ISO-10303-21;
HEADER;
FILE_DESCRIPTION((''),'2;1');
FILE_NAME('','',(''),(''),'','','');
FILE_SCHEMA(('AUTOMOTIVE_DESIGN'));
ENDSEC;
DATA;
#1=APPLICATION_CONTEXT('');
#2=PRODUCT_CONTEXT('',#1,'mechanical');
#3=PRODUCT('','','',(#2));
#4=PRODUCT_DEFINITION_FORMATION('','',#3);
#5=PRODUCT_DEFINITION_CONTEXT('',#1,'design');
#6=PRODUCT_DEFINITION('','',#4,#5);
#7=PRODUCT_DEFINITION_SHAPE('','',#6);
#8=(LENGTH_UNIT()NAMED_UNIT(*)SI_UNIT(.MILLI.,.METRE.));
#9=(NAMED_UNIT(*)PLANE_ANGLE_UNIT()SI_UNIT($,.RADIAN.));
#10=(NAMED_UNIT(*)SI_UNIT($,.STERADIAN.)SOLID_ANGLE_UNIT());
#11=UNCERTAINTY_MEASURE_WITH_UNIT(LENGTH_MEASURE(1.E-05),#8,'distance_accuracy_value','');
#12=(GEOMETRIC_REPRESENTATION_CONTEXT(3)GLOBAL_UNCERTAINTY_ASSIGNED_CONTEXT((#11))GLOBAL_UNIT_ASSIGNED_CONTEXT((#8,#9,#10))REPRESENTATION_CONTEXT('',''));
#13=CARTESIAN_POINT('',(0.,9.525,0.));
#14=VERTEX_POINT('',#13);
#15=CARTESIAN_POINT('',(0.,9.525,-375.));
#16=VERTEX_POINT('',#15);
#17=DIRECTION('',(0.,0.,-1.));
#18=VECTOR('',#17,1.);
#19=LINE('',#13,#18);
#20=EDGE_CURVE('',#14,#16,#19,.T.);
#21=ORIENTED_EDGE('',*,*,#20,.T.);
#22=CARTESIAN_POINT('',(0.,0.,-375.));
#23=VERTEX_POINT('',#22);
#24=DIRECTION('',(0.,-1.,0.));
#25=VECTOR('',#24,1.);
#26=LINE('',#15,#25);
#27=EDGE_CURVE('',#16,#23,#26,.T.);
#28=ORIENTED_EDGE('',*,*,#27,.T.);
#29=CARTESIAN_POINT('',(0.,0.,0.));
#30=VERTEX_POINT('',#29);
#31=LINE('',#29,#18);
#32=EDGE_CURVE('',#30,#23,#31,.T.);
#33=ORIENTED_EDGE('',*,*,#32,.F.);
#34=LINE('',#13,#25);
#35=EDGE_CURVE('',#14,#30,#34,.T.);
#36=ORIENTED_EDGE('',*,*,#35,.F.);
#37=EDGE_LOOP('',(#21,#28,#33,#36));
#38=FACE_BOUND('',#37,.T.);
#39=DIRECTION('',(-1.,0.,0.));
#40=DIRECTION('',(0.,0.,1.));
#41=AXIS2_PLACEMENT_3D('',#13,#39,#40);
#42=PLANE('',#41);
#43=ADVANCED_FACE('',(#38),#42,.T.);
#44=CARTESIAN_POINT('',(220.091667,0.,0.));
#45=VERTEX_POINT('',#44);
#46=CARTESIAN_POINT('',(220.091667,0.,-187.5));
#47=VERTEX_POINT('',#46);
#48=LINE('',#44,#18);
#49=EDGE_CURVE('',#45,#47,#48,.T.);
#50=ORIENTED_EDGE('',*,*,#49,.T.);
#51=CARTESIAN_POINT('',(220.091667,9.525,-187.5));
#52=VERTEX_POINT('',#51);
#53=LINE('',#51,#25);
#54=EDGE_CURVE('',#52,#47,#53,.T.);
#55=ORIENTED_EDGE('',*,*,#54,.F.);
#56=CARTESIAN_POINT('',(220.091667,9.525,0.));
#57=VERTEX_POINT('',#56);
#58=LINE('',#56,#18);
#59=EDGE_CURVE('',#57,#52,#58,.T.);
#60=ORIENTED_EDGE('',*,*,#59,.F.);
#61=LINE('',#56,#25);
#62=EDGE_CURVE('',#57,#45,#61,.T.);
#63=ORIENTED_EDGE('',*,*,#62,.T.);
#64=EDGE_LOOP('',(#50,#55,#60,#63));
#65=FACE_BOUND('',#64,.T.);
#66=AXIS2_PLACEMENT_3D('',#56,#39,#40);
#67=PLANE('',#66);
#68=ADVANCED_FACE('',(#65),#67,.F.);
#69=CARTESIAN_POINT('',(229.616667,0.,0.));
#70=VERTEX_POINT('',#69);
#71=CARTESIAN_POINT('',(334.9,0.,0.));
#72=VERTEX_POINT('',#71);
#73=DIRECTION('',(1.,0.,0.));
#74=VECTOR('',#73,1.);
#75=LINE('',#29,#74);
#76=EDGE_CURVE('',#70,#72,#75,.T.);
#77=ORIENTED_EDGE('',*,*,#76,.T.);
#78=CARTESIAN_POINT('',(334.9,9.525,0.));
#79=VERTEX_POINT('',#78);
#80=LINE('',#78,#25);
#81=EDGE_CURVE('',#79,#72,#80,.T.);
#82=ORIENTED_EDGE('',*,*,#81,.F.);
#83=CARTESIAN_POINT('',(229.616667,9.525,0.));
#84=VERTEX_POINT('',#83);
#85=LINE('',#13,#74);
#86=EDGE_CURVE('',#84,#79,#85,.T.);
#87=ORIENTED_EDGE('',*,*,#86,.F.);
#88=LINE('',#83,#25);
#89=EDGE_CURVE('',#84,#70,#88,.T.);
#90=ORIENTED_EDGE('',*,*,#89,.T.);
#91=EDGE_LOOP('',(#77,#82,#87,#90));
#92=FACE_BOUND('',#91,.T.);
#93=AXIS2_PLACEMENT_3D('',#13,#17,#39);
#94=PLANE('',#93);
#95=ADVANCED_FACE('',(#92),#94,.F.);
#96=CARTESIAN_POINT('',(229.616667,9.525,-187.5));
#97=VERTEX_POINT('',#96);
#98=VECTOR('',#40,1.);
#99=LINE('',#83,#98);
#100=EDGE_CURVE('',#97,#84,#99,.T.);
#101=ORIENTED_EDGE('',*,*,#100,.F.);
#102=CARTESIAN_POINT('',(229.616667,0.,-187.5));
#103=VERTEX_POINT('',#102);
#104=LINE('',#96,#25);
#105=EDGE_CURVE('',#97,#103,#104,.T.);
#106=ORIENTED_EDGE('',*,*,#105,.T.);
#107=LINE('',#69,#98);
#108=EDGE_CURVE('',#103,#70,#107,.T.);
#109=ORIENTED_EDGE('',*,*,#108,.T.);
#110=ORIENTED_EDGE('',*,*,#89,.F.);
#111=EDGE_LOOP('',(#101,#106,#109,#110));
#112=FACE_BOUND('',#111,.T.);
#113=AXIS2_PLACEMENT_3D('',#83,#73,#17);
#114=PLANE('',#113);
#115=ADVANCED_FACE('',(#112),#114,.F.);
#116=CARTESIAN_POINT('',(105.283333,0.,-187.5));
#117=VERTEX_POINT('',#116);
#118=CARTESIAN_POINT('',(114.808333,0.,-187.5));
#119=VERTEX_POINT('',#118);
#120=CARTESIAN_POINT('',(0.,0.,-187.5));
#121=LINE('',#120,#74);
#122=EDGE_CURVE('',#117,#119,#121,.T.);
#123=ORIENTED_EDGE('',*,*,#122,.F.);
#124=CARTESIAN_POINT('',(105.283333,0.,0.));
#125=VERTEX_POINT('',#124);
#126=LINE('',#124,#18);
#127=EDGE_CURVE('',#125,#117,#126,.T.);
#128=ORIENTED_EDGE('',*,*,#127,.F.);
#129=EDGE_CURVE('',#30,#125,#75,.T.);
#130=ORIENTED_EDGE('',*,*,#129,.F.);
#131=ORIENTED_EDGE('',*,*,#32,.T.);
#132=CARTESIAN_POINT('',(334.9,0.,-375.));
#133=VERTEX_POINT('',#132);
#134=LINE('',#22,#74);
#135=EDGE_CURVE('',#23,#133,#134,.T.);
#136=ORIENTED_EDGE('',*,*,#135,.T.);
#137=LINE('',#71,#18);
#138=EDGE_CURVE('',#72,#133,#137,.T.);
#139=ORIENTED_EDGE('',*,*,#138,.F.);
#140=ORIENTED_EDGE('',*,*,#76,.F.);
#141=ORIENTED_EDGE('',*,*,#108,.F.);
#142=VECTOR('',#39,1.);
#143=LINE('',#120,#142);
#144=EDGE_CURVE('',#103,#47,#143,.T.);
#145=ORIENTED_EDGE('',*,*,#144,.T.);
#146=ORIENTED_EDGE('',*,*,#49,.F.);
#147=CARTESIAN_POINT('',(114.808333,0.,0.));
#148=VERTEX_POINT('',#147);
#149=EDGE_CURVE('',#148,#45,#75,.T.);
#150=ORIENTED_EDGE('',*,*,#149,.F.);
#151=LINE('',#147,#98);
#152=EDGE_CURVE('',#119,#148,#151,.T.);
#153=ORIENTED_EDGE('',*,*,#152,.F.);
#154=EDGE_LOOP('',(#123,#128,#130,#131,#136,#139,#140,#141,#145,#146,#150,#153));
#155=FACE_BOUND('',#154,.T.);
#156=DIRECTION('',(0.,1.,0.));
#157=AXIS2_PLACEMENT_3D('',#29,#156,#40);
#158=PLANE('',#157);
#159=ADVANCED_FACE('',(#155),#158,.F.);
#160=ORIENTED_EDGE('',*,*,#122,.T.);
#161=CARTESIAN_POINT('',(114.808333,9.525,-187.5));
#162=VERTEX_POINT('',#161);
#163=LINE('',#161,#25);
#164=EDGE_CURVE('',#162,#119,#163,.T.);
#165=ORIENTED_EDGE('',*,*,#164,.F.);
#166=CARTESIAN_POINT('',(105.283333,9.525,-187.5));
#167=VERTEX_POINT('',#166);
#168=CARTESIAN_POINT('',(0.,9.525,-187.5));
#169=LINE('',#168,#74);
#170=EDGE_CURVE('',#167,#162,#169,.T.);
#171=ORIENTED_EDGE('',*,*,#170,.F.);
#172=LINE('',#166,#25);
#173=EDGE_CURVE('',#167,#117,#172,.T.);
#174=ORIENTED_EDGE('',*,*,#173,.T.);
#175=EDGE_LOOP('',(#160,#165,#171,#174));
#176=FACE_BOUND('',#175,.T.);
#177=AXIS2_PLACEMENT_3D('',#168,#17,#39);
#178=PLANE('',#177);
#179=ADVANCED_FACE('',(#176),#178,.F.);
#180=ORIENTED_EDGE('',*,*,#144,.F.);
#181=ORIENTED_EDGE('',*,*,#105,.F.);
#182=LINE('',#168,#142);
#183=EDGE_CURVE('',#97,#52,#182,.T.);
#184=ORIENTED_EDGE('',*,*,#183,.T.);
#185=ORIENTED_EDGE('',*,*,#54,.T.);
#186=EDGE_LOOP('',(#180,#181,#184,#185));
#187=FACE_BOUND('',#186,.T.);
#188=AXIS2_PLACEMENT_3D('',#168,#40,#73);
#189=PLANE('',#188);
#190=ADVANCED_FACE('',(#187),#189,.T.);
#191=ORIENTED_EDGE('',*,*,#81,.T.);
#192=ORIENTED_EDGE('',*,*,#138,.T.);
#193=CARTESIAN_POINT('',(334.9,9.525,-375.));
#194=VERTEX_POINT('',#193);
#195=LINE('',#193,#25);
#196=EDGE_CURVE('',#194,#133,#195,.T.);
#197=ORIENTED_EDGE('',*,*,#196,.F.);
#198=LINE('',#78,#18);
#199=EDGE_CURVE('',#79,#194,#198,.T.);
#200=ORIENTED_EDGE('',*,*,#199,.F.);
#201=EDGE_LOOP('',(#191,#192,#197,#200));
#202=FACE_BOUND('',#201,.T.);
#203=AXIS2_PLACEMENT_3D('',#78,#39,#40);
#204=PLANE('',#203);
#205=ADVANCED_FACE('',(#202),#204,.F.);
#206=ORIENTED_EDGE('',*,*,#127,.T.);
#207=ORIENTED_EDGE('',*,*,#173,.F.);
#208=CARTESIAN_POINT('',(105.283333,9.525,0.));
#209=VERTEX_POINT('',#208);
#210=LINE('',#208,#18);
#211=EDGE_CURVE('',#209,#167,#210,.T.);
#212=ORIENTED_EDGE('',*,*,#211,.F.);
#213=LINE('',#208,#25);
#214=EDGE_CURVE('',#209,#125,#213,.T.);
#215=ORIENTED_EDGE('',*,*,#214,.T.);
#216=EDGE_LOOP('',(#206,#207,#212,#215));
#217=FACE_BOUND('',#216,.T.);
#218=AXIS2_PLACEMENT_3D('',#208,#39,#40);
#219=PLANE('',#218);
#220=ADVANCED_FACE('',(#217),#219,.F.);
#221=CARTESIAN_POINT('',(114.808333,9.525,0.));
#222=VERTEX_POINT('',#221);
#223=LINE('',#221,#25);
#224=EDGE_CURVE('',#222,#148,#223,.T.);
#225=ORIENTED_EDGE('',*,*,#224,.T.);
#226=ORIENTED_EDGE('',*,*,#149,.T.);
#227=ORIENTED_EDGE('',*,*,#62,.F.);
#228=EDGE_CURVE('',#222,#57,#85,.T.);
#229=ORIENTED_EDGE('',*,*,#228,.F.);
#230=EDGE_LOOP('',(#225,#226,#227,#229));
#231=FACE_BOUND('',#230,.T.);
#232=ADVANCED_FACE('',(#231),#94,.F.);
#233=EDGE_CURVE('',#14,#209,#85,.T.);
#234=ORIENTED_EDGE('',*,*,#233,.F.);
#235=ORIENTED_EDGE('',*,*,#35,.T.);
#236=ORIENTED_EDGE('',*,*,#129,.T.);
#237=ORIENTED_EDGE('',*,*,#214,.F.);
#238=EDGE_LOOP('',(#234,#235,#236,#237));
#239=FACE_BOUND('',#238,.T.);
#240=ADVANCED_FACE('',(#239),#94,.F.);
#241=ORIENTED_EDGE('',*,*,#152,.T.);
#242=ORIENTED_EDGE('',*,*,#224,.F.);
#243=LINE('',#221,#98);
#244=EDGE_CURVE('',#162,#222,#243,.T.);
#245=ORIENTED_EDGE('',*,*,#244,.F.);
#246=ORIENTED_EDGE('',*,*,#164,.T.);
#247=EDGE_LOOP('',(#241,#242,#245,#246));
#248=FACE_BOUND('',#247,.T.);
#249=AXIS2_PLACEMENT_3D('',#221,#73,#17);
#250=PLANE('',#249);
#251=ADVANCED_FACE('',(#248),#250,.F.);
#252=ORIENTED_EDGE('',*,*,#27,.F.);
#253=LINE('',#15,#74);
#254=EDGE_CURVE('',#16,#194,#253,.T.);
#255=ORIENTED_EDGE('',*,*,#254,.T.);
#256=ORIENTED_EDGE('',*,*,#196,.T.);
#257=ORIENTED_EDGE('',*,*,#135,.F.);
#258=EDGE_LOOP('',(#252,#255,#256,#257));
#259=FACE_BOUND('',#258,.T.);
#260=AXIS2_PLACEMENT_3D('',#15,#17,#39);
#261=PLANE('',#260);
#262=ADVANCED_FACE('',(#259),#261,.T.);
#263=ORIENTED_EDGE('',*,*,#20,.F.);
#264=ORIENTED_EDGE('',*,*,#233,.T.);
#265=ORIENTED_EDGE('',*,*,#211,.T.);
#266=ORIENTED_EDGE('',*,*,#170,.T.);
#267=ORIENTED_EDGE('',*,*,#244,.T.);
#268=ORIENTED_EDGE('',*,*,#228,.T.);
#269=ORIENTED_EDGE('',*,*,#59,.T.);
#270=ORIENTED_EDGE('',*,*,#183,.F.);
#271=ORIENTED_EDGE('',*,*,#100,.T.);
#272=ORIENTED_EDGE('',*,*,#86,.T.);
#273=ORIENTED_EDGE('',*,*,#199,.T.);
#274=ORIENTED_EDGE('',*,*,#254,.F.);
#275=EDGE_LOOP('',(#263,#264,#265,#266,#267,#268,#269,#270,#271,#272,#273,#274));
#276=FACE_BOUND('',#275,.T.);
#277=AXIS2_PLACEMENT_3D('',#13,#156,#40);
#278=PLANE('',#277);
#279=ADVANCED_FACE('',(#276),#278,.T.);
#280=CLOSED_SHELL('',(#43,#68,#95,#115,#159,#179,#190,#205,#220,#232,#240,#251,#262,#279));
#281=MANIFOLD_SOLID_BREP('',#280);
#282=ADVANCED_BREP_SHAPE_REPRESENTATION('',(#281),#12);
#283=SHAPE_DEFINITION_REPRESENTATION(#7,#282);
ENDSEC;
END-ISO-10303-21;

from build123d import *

# Parameters (mm, degrees)
BOSS_EXTRUDE1_DEPTH = 9.525


with BuildPart() as part:
    # Sketch1 → Boss-Extrude1 (new body)
    with BuildSketch(Plane(origin=(0, 0, 0), x_dir=(1, 0, 0), z_dir=(0, 1, 0))):
        Polygon((0, 375), (0, 0), (105.283333333, 0), (105.283333333, 187.5), (114.808333333, 187.5), (114.808333333, 0), (220.091666667, 0), (220.091666667, 187.5), (229.616666667, 187.5), (229.616666667, 0), (334.9, 0), (334.9, 375), align=None)
    extrude(amount=BOSS_EXTRUDE1_DEPTH)


solid = part.part
